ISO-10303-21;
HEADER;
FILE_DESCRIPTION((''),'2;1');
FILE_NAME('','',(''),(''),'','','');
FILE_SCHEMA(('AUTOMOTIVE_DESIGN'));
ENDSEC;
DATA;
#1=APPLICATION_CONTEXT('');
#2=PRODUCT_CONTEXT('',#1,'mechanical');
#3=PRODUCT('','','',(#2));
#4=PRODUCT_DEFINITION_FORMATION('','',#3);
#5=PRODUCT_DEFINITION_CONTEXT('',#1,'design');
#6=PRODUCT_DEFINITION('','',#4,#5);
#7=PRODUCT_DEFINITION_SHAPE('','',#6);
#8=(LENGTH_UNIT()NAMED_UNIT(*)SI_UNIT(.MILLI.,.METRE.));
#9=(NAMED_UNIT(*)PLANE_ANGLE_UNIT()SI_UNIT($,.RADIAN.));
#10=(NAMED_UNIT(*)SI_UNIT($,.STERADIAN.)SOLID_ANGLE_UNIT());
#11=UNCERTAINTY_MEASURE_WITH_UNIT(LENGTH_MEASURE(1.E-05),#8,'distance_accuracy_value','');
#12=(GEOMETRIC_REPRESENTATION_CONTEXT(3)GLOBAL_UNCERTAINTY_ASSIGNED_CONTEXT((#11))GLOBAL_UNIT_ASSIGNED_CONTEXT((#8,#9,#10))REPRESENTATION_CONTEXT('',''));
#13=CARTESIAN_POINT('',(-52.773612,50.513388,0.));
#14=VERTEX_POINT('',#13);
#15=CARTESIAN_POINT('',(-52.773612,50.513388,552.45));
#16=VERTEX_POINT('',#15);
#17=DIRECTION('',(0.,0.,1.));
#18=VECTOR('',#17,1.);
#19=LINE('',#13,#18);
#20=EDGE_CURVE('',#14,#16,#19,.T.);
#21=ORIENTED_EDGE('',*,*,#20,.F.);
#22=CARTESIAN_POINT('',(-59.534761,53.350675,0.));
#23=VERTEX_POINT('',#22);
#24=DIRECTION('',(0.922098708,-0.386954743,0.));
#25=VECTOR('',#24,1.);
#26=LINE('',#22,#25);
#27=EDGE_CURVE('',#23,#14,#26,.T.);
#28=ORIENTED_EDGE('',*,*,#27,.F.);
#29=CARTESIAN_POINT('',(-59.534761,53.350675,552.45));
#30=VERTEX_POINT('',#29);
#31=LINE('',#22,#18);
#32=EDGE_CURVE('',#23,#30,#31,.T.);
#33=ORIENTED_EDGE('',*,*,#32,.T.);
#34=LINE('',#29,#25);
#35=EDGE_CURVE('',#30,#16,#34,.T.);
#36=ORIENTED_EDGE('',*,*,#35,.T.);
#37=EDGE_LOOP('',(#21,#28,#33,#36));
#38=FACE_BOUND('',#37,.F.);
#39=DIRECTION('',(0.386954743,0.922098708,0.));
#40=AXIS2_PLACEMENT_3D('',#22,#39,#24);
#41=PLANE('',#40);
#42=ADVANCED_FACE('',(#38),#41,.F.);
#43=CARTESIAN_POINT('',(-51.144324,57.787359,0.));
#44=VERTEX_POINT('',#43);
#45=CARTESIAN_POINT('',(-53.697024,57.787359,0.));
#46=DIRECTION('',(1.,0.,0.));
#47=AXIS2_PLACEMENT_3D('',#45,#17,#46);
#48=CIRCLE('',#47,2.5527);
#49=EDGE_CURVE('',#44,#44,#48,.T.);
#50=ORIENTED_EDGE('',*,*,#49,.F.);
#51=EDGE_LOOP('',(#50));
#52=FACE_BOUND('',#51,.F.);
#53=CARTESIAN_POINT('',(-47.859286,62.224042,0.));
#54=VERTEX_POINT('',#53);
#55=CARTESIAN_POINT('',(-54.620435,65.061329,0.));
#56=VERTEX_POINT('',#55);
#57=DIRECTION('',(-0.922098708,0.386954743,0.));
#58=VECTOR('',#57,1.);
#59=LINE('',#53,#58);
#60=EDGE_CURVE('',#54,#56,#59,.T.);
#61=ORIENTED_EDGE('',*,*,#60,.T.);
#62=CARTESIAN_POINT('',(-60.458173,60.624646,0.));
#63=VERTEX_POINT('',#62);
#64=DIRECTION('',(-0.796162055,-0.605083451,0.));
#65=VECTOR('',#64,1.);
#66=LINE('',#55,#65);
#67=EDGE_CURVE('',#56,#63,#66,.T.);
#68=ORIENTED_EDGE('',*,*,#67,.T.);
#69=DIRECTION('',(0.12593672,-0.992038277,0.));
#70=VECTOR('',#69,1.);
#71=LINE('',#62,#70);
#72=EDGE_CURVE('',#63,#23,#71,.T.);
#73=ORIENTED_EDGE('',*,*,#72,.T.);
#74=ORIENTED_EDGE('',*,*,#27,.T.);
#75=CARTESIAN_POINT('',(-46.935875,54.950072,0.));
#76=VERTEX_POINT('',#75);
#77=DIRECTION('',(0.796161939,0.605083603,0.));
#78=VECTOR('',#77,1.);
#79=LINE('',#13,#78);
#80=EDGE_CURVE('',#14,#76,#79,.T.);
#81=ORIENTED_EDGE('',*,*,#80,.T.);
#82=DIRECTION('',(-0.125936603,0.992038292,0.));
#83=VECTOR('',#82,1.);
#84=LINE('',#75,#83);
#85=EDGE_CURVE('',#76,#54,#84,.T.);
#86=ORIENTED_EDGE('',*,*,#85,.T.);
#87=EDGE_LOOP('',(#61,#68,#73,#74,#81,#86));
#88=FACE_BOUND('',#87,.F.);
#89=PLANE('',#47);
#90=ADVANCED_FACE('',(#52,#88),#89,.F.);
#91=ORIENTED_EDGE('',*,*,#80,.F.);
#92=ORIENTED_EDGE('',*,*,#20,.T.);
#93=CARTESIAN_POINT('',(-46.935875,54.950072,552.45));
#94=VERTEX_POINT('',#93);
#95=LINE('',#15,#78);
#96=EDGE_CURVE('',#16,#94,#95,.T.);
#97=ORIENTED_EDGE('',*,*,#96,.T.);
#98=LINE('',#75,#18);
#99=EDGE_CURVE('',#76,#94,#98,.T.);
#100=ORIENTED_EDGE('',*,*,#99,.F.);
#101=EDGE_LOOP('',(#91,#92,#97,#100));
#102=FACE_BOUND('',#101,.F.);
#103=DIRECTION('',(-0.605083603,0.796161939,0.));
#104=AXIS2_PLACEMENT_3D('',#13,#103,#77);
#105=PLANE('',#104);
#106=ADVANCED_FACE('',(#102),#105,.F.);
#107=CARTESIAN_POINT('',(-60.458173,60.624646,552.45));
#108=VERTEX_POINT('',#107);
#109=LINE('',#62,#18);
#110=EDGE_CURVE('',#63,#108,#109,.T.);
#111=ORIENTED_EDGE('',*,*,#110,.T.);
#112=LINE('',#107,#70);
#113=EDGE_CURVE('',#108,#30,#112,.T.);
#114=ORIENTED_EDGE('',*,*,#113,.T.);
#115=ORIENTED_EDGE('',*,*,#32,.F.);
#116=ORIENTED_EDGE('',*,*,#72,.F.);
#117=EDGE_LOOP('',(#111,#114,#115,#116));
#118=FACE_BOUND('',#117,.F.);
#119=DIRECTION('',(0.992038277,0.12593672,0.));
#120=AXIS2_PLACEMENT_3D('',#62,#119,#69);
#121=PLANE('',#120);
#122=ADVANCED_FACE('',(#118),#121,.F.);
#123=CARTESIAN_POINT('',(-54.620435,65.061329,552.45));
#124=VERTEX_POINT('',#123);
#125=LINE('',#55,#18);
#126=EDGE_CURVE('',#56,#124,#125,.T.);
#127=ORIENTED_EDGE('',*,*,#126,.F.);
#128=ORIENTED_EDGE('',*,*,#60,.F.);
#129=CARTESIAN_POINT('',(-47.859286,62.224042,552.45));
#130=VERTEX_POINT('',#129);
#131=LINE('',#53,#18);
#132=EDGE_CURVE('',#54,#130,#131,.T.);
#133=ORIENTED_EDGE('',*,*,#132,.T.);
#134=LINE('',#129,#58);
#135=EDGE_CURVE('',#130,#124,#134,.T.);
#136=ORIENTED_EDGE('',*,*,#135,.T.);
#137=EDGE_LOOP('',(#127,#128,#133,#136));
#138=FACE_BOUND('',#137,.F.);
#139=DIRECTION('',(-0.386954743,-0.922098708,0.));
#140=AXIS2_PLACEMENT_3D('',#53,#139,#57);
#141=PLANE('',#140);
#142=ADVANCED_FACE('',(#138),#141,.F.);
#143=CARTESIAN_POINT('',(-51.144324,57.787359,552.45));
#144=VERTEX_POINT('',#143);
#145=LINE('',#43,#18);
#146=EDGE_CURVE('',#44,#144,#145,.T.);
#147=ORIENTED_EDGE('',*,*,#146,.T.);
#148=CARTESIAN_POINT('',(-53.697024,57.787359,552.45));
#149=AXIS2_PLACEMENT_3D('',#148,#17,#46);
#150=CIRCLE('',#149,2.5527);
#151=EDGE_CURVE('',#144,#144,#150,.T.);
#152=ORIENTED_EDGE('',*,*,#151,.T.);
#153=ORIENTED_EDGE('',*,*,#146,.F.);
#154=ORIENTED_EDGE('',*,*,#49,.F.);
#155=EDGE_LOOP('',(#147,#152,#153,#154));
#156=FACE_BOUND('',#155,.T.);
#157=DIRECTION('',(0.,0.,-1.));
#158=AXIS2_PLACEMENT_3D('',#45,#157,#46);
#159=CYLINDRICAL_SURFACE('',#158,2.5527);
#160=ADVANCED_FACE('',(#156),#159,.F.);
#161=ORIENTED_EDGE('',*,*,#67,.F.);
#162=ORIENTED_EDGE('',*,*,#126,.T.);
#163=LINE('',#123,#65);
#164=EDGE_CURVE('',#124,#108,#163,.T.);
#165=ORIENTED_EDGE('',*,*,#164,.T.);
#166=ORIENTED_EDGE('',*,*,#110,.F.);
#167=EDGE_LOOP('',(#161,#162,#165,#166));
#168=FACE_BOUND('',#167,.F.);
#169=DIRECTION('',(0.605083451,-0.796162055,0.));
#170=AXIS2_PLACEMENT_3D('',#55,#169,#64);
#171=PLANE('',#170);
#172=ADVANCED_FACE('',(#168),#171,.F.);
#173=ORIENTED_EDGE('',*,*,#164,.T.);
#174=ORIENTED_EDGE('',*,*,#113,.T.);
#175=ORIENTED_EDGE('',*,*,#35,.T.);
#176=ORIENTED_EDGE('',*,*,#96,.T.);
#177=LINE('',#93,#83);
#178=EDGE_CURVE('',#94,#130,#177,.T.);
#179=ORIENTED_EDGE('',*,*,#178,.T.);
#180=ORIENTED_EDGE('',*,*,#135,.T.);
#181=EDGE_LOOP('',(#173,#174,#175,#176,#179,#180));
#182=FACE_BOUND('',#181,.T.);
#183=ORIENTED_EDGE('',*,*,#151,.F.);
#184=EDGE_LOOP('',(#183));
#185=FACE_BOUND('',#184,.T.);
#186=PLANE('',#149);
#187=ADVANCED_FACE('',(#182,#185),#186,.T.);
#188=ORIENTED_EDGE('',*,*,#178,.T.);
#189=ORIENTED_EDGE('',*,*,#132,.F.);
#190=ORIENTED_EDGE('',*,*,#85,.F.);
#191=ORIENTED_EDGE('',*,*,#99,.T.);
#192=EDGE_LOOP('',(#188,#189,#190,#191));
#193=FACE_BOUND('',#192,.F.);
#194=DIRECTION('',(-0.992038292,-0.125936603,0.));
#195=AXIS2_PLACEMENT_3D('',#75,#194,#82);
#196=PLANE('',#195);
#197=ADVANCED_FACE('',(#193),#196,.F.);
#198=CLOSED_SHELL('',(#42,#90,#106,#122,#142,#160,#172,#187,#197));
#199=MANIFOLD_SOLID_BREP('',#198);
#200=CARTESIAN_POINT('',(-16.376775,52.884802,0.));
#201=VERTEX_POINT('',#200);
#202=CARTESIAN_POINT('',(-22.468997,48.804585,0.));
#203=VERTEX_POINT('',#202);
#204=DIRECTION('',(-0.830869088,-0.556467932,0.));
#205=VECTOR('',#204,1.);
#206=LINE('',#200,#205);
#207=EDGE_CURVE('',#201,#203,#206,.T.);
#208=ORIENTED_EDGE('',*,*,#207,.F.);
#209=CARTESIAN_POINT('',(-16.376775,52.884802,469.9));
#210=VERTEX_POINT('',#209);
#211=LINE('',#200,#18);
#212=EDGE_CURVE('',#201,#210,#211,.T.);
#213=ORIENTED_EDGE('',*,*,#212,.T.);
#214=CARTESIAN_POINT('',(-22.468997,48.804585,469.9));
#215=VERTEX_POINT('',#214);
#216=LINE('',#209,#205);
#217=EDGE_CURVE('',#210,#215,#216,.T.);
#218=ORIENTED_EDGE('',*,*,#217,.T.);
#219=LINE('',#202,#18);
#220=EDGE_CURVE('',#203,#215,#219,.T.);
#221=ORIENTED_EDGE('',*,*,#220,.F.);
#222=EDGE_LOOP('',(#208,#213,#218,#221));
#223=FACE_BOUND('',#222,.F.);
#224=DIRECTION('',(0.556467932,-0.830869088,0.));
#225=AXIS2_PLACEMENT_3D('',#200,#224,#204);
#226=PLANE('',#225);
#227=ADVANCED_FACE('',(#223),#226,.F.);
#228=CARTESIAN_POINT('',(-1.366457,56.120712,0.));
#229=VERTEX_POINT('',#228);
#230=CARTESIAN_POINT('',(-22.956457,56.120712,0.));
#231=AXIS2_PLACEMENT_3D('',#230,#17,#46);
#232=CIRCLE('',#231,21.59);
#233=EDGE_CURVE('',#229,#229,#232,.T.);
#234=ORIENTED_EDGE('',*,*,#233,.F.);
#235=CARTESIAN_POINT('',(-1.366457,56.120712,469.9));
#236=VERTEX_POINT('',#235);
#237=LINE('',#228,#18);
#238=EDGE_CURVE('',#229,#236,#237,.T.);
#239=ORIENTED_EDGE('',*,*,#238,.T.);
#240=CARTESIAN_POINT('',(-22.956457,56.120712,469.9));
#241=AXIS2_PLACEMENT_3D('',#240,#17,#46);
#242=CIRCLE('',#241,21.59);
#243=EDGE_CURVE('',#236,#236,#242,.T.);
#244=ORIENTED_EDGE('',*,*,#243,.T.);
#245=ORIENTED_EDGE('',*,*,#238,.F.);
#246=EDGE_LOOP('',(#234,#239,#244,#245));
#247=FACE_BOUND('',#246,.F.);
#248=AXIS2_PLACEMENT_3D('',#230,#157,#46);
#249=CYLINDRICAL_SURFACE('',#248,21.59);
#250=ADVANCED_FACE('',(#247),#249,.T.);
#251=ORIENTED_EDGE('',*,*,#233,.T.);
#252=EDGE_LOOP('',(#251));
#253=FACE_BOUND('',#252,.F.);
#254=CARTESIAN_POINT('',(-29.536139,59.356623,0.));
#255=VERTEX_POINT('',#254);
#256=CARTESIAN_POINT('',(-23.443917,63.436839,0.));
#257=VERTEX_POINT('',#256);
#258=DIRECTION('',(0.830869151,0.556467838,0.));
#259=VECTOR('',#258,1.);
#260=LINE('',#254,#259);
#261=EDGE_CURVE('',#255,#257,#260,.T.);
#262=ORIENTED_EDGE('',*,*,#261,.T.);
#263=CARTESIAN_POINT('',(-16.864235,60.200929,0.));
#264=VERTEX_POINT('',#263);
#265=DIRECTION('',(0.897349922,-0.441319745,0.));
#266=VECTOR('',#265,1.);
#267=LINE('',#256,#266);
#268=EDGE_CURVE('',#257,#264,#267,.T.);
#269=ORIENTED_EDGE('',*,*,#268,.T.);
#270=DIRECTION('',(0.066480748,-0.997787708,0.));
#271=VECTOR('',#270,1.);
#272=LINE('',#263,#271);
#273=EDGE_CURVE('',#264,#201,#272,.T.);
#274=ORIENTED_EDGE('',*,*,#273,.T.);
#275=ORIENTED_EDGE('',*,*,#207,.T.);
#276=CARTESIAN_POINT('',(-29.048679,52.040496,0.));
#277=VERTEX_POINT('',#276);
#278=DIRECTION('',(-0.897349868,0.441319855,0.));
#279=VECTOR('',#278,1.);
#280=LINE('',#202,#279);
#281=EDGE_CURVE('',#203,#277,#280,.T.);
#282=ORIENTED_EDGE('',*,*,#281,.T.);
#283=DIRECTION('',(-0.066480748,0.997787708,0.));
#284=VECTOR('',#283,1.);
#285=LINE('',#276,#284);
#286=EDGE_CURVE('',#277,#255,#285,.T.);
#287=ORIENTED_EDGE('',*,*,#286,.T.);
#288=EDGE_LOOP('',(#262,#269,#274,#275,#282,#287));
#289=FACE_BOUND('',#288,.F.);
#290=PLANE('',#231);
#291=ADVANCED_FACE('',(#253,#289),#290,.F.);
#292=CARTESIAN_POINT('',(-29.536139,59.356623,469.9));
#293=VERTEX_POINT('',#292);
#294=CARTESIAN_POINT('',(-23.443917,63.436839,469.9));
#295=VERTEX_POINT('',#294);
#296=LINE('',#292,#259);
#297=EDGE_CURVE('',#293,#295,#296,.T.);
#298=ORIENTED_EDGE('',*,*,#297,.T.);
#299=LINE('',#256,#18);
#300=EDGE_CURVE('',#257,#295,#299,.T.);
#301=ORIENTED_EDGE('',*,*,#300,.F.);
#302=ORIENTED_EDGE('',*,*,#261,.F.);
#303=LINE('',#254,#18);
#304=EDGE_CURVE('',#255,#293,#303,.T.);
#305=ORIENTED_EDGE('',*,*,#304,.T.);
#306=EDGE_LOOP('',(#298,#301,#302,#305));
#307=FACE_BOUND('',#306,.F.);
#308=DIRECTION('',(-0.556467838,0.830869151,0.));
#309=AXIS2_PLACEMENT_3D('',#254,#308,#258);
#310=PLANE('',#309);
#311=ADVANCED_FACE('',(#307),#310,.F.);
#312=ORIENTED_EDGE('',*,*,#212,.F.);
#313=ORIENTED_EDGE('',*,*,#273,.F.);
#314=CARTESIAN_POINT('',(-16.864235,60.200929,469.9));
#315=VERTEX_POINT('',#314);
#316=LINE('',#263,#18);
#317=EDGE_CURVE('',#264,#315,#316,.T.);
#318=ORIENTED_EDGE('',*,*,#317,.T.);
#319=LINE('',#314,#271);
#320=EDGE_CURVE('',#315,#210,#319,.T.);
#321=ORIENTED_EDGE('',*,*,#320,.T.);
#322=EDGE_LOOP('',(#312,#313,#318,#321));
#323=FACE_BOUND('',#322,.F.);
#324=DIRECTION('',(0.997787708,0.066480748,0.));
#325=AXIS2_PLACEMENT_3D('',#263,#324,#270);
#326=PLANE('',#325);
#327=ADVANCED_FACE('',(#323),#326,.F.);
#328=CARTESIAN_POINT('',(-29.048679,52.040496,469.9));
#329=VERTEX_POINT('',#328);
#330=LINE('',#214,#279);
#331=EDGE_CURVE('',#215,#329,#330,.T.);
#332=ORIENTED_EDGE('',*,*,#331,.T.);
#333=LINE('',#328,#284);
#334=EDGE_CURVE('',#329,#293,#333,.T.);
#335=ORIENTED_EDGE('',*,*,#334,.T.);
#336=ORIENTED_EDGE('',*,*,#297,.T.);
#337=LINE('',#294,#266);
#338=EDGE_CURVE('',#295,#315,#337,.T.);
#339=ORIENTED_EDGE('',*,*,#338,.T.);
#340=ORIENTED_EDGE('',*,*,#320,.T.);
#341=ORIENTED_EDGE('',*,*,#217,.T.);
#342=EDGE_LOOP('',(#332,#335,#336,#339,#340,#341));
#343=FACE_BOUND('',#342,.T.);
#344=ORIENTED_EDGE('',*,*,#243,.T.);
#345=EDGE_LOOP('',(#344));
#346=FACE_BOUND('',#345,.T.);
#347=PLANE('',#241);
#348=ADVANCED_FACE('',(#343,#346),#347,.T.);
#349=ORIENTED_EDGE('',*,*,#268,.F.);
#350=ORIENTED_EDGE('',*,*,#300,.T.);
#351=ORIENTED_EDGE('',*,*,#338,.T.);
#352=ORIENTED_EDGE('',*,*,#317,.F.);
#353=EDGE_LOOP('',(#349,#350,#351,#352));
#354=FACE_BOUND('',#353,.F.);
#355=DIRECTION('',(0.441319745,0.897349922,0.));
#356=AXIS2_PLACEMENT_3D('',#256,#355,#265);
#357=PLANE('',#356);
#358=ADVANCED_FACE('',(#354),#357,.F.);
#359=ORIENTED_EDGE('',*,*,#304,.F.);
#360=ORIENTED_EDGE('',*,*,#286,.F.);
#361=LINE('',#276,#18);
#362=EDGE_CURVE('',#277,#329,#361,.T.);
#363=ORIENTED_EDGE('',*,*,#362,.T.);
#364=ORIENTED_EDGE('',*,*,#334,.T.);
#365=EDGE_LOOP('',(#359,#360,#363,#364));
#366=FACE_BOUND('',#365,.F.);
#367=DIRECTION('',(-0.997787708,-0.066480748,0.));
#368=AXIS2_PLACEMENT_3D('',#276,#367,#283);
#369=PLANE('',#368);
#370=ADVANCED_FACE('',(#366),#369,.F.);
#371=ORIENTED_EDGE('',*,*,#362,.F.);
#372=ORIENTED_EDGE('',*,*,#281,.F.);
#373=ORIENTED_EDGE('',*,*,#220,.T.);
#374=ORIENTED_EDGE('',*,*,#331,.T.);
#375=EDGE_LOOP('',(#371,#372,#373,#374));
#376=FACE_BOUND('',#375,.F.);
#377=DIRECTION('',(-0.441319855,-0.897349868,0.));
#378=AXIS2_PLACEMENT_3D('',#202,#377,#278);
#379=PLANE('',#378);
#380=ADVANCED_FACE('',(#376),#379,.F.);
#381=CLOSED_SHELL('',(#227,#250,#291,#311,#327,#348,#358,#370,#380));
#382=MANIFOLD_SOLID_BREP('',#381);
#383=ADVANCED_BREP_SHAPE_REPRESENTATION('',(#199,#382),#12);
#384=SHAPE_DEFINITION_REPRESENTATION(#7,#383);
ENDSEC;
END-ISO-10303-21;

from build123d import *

# Parameters (mm, degrees)
F0_R     = 2.5527
F1_DEPTH = 552.45
F2_R     = 21.59
F3_DEPTH = 469.9


with BuildPart() as f1:
    # F0 (on Top) → F1 (new body)
    with BuildSketch(Plane.XY):
        Polygon((-52.773612, 50.513388), (-46.935875, 54.950072), (-47.859286, 62.224042), (-54.620435, 65.061329), (-60.458173, 60.624646), (-59.534761, 53.350675), align=None)
        with Locations((-53.697024, 57.787359)):
            Circle(F0_R, mode=Mode.SUBTRACT)
    extrude(amount=F1_DEPTH)


with BuildPart() as f3:
    # F2 (on Top) → F3 (new body)
    with BuildSketch(Plane.XY):
        with Locations((-22.956457, 56.120712)):
            Circle(F2_R)
        Polygon((-16.376775, 52.884802), (-22.468997, 48.804585), (-29.048679, 52.040496), (-29.536139, 59.356623), (-23.443917, 63.436839), (-16.864235, 60.200929), align=None, mode=Mode.SUBTRACT)
    extrude(amount=F3_DEPTH)


solid = Compound([f1.part, f3.part])
